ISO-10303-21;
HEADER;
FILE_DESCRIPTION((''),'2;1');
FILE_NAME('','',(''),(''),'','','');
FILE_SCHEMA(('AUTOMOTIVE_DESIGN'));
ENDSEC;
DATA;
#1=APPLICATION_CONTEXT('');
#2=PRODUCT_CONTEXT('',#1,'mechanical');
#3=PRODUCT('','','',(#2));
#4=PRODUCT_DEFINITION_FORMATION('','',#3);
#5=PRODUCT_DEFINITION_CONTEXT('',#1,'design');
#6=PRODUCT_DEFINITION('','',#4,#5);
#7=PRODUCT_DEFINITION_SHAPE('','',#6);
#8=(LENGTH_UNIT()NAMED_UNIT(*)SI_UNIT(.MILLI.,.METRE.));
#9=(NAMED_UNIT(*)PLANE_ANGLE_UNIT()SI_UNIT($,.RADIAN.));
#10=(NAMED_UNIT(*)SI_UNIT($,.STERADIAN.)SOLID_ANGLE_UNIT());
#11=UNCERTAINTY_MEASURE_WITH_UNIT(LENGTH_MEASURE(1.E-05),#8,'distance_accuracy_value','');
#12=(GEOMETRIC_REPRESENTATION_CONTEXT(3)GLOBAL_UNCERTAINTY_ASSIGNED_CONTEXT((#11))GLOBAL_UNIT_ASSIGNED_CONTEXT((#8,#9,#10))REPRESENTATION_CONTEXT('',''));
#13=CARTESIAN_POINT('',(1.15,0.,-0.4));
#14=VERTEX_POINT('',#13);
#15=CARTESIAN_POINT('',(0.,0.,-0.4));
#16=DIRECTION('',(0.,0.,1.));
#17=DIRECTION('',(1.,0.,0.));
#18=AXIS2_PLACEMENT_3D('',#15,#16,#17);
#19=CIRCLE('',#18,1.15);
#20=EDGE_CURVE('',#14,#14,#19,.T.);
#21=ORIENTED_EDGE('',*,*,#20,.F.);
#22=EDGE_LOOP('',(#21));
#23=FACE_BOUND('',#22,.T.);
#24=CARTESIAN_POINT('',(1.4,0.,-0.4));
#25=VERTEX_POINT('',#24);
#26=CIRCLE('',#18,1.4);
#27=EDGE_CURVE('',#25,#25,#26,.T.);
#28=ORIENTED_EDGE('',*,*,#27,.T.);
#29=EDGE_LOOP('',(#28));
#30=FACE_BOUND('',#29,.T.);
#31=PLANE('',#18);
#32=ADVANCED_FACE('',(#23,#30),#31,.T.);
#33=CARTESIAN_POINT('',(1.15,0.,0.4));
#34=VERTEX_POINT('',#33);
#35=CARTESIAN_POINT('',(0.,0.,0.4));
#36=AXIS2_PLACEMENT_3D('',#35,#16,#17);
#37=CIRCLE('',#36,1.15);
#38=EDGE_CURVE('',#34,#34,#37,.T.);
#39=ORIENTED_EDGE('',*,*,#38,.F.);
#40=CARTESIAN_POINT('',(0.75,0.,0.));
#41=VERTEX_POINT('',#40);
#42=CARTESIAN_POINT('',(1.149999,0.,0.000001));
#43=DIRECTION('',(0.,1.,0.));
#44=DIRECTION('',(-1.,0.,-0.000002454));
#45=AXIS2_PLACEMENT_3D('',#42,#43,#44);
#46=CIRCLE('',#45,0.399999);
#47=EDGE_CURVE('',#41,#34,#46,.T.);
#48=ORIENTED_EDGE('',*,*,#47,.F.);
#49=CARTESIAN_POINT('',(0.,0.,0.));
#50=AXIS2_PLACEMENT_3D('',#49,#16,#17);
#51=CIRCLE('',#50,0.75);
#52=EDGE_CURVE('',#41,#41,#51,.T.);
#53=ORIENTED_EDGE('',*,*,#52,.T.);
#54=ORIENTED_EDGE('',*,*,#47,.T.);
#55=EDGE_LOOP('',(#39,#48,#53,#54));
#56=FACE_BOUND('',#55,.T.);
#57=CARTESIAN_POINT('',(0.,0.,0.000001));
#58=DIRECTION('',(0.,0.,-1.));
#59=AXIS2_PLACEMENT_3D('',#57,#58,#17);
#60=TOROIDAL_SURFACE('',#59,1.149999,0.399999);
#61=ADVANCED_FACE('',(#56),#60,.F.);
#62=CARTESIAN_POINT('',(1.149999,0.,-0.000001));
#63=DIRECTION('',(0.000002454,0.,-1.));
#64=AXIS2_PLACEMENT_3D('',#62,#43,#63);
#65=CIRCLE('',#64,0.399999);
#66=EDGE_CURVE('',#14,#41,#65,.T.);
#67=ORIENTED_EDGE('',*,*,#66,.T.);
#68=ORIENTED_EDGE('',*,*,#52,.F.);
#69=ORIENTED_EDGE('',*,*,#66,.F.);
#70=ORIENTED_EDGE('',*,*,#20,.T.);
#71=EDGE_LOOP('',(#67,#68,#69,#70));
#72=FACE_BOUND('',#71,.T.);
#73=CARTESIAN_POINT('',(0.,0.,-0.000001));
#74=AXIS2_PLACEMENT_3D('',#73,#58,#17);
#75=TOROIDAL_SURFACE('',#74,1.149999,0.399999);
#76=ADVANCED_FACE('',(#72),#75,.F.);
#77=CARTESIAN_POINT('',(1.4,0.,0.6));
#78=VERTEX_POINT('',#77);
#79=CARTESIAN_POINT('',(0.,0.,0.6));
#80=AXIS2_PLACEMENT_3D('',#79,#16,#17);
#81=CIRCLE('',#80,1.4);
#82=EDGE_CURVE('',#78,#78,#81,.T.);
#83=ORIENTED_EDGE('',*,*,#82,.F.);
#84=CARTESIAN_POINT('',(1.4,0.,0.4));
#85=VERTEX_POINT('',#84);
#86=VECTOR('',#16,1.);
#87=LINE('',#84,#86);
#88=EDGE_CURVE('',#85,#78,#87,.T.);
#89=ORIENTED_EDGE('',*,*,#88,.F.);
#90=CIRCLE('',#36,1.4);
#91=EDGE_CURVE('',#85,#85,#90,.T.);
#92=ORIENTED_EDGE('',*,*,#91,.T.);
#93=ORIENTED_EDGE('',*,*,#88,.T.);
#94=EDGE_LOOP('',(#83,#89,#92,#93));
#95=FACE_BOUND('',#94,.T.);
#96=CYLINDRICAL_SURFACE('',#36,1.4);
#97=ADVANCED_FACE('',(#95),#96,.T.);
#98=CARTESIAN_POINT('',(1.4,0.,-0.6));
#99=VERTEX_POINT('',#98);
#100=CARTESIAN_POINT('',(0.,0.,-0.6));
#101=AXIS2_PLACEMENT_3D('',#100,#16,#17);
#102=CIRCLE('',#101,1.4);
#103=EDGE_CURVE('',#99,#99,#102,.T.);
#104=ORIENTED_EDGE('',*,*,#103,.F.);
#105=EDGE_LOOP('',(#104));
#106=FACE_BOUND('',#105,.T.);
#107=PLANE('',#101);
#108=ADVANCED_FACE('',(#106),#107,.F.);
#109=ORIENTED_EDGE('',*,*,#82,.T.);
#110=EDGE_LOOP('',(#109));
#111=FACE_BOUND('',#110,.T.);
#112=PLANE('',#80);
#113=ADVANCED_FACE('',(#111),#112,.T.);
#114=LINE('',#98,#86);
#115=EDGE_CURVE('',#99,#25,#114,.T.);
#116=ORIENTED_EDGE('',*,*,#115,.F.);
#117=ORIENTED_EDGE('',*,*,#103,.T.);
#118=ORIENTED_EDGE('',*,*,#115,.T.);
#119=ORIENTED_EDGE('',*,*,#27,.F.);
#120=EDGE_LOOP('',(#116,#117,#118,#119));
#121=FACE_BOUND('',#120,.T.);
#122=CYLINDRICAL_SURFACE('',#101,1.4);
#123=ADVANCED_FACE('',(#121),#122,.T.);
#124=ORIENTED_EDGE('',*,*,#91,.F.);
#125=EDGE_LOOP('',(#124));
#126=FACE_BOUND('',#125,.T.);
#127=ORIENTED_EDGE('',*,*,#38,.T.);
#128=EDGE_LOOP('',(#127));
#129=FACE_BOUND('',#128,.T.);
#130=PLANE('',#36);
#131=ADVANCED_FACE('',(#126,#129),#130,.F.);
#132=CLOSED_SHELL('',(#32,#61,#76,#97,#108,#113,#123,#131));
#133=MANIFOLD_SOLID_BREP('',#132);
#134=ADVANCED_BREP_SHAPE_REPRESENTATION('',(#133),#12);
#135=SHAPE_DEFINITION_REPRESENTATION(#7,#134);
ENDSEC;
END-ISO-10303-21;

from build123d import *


with BuildPart() as f1:
    # F0 (on Front) → F1 (revolve)
    with BuildSketch(Plane.XZ):
        with BuildLine():
            Line((1.4, 0.6), (0, 0.6))
            Line((0, 0.6), (0, 0))
            Line((0, 0), (0, -0.6))
            Line((0, -0.6), (1.4, -0.6))
            Line((1.4, -0.6), (1.4, -0.4))
            Line((1.4, -0.4), (1.15, -0.4))
            ThreePointArc((1.15, -0.4), (0.867157, -0.282843), (0.75, 0))
            ThreePointArc((0.75, 0), (0.867157, 0.282843), (1.15, 0.4))
            Line((1.15, 0.4), (1.4, 0.4))
            Line((1.4, 0.4), (1.4, 0.6))
        make_face()
    revolve(axis=Axis((0, 0, 0.3), (0, 0, 1)))


solid = f1.part
